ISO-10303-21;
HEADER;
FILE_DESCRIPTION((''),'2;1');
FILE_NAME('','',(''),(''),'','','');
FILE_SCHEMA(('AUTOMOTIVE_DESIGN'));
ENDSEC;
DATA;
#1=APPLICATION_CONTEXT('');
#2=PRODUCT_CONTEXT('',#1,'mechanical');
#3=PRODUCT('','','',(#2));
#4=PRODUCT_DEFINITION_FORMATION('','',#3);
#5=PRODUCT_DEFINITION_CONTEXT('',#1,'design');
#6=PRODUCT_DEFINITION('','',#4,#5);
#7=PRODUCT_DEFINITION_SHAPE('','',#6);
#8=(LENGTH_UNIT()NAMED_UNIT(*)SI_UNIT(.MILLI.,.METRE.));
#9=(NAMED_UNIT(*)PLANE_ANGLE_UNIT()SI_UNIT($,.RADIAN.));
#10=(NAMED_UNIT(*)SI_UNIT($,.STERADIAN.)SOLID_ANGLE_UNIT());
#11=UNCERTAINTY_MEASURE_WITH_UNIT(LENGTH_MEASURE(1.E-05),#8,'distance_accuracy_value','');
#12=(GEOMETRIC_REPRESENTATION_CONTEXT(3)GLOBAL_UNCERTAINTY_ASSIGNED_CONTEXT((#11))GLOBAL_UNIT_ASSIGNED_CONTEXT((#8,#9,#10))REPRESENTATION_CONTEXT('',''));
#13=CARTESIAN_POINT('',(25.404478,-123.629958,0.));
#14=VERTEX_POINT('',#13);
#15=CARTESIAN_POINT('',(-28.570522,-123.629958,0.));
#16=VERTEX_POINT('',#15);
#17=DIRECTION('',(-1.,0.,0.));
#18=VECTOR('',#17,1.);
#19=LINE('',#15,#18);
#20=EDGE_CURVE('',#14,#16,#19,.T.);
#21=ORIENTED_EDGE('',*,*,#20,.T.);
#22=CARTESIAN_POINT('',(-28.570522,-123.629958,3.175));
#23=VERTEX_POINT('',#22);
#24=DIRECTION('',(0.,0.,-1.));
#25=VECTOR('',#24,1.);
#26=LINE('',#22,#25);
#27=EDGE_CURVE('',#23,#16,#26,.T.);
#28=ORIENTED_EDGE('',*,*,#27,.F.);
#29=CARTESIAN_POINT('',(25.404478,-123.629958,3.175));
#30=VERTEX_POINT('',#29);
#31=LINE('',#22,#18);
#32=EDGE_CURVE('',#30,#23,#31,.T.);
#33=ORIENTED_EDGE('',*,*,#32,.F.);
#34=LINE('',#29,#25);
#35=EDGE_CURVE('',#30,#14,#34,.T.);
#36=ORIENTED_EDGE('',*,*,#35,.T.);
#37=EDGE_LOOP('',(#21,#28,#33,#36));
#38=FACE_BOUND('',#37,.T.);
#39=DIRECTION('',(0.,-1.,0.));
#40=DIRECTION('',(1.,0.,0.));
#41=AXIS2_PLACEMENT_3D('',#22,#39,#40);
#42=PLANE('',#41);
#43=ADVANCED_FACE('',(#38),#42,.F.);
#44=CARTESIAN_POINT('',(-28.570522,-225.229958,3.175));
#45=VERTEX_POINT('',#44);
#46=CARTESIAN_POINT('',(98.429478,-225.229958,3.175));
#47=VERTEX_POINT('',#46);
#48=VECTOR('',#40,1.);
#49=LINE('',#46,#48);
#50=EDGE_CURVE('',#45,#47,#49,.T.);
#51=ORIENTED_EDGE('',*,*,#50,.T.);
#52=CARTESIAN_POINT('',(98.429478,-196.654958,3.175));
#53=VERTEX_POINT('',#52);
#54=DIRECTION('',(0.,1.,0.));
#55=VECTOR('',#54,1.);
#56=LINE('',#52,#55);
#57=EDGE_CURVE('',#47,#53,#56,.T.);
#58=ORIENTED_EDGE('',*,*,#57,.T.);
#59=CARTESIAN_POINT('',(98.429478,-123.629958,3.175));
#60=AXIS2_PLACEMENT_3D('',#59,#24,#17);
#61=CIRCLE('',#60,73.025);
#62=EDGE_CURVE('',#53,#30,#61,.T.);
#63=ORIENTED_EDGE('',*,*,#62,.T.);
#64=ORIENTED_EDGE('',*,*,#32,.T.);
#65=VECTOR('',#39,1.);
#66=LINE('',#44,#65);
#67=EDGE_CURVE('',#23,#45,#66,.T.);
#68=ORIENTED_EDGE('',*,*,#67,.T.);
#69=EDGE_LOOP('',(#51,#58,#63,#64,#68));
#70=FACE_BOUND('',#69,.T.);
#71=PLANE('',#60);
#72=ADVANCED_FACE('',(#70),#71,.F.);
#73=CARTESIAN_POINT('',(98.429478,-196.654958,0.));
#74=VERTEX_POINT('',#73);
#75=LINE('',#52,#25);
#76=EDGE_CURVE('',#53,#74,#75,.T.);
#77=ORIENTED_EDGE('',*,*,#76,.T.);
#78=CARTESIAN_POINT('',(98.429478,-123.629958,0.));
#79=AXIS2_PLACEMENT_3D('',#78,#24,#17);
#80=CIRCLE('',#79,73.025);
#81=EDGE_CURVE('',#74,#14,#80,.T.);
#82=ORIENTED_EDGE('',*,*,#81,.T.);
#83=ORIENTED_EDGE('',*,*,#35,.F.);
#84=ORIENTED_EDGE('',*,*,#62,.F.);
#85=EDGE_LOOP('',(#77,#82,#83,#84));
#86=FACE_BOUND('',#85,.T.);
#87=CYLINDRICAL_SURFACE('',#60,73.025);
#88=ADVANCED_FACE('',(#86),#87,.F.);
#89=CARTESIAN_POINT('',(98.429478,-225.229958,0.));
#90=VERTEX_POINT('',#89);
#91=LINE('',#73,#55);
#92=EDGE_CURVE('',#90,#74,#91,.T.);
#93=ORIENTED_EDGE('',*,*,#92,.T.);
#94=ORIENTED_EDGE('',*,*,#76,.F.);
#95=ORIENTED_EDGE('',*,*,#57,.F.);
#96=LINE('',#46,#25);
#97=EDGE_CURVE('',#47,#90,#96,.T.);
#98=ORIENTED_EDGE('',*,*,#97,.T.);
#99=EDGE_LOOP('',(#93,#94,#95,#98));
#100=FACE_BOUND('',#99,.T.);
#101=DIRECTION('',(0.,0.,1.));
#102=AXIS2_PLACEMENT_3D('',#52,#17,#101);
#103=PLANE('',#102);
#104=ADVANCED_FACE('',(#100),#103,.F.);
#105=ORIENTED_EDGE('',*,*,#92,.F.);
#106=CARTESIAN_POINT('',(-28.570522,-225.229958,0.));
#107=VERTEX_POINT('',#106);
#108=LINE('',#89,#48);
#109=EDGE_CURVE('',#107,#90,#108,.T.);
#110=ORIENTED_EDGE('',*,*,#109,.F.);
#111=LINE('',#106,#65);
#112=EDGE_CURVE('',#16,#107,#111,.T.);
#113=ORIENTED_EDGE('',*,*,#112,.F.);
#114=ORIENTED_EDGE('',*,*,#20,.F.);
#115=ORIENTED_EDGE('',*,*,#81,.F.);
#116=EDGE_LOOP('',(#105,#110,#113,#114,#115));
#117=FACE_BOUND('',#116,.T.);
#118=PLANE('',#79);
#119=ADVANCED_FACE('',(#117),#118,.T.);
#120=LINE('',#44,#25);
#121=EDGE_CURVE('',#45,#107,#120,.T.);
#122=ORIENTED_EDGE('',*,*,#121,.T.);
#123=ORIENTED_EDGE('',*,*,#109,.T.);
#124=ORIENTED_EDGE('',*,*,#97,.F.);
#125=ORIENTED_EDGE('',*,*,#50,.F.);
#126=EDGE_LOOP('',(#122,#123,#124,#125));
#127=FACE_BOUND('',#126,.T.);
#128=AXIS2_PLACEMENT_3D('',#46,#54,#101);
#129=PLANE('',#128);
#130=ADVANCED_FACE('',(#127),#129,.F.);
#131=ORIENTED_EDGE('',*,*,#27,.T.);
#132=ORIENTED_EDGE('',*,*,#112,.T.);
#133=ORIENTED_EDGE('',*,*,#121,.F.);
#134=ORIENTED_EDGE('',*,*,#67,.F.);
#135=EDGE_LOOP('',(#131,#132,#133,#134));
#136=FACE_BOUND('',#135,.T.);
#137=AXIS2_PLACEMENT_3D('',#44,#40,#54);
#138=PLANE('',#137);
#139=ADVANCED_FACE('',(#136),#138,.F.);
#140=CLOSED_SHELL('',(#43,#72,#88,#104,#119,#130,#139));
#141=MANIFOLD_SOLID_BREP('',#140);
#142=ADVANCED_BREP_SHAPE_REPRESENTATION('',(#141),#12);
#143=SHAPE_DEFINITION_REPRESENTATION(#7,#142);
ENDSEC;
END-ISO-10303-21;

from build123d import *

# Parameters (mm, degrees)
BOSS_EXTRUDE1_DEPTH = 3.175


with BuildPart() as part:
    # Sketch1 → Boss-Extrude1 (new body)
    with BuildSketch(Plane.XY):
        with BuildLine():
            Line((98.429478474, -196.654958099), (98.429478474, -225.229958099))
            Line((98.429478474, -225.229958099), (-28.570521526, -225.229958099))
            Line((-28.570521526, -225.229958099), (-28.570521526, -123.629958099))
            Line((-28.570521526, -123.629958099), (25.404478474, -123.629958099))
            ThreePointArc((25.404478474, -123.629958099), (46.793005778, -175.266430795), (98.429478474, -196.654958099))
        make_face()
    extrude(amount=BOSS_EXTRUDE1_DEPTH)


solid = part.part
